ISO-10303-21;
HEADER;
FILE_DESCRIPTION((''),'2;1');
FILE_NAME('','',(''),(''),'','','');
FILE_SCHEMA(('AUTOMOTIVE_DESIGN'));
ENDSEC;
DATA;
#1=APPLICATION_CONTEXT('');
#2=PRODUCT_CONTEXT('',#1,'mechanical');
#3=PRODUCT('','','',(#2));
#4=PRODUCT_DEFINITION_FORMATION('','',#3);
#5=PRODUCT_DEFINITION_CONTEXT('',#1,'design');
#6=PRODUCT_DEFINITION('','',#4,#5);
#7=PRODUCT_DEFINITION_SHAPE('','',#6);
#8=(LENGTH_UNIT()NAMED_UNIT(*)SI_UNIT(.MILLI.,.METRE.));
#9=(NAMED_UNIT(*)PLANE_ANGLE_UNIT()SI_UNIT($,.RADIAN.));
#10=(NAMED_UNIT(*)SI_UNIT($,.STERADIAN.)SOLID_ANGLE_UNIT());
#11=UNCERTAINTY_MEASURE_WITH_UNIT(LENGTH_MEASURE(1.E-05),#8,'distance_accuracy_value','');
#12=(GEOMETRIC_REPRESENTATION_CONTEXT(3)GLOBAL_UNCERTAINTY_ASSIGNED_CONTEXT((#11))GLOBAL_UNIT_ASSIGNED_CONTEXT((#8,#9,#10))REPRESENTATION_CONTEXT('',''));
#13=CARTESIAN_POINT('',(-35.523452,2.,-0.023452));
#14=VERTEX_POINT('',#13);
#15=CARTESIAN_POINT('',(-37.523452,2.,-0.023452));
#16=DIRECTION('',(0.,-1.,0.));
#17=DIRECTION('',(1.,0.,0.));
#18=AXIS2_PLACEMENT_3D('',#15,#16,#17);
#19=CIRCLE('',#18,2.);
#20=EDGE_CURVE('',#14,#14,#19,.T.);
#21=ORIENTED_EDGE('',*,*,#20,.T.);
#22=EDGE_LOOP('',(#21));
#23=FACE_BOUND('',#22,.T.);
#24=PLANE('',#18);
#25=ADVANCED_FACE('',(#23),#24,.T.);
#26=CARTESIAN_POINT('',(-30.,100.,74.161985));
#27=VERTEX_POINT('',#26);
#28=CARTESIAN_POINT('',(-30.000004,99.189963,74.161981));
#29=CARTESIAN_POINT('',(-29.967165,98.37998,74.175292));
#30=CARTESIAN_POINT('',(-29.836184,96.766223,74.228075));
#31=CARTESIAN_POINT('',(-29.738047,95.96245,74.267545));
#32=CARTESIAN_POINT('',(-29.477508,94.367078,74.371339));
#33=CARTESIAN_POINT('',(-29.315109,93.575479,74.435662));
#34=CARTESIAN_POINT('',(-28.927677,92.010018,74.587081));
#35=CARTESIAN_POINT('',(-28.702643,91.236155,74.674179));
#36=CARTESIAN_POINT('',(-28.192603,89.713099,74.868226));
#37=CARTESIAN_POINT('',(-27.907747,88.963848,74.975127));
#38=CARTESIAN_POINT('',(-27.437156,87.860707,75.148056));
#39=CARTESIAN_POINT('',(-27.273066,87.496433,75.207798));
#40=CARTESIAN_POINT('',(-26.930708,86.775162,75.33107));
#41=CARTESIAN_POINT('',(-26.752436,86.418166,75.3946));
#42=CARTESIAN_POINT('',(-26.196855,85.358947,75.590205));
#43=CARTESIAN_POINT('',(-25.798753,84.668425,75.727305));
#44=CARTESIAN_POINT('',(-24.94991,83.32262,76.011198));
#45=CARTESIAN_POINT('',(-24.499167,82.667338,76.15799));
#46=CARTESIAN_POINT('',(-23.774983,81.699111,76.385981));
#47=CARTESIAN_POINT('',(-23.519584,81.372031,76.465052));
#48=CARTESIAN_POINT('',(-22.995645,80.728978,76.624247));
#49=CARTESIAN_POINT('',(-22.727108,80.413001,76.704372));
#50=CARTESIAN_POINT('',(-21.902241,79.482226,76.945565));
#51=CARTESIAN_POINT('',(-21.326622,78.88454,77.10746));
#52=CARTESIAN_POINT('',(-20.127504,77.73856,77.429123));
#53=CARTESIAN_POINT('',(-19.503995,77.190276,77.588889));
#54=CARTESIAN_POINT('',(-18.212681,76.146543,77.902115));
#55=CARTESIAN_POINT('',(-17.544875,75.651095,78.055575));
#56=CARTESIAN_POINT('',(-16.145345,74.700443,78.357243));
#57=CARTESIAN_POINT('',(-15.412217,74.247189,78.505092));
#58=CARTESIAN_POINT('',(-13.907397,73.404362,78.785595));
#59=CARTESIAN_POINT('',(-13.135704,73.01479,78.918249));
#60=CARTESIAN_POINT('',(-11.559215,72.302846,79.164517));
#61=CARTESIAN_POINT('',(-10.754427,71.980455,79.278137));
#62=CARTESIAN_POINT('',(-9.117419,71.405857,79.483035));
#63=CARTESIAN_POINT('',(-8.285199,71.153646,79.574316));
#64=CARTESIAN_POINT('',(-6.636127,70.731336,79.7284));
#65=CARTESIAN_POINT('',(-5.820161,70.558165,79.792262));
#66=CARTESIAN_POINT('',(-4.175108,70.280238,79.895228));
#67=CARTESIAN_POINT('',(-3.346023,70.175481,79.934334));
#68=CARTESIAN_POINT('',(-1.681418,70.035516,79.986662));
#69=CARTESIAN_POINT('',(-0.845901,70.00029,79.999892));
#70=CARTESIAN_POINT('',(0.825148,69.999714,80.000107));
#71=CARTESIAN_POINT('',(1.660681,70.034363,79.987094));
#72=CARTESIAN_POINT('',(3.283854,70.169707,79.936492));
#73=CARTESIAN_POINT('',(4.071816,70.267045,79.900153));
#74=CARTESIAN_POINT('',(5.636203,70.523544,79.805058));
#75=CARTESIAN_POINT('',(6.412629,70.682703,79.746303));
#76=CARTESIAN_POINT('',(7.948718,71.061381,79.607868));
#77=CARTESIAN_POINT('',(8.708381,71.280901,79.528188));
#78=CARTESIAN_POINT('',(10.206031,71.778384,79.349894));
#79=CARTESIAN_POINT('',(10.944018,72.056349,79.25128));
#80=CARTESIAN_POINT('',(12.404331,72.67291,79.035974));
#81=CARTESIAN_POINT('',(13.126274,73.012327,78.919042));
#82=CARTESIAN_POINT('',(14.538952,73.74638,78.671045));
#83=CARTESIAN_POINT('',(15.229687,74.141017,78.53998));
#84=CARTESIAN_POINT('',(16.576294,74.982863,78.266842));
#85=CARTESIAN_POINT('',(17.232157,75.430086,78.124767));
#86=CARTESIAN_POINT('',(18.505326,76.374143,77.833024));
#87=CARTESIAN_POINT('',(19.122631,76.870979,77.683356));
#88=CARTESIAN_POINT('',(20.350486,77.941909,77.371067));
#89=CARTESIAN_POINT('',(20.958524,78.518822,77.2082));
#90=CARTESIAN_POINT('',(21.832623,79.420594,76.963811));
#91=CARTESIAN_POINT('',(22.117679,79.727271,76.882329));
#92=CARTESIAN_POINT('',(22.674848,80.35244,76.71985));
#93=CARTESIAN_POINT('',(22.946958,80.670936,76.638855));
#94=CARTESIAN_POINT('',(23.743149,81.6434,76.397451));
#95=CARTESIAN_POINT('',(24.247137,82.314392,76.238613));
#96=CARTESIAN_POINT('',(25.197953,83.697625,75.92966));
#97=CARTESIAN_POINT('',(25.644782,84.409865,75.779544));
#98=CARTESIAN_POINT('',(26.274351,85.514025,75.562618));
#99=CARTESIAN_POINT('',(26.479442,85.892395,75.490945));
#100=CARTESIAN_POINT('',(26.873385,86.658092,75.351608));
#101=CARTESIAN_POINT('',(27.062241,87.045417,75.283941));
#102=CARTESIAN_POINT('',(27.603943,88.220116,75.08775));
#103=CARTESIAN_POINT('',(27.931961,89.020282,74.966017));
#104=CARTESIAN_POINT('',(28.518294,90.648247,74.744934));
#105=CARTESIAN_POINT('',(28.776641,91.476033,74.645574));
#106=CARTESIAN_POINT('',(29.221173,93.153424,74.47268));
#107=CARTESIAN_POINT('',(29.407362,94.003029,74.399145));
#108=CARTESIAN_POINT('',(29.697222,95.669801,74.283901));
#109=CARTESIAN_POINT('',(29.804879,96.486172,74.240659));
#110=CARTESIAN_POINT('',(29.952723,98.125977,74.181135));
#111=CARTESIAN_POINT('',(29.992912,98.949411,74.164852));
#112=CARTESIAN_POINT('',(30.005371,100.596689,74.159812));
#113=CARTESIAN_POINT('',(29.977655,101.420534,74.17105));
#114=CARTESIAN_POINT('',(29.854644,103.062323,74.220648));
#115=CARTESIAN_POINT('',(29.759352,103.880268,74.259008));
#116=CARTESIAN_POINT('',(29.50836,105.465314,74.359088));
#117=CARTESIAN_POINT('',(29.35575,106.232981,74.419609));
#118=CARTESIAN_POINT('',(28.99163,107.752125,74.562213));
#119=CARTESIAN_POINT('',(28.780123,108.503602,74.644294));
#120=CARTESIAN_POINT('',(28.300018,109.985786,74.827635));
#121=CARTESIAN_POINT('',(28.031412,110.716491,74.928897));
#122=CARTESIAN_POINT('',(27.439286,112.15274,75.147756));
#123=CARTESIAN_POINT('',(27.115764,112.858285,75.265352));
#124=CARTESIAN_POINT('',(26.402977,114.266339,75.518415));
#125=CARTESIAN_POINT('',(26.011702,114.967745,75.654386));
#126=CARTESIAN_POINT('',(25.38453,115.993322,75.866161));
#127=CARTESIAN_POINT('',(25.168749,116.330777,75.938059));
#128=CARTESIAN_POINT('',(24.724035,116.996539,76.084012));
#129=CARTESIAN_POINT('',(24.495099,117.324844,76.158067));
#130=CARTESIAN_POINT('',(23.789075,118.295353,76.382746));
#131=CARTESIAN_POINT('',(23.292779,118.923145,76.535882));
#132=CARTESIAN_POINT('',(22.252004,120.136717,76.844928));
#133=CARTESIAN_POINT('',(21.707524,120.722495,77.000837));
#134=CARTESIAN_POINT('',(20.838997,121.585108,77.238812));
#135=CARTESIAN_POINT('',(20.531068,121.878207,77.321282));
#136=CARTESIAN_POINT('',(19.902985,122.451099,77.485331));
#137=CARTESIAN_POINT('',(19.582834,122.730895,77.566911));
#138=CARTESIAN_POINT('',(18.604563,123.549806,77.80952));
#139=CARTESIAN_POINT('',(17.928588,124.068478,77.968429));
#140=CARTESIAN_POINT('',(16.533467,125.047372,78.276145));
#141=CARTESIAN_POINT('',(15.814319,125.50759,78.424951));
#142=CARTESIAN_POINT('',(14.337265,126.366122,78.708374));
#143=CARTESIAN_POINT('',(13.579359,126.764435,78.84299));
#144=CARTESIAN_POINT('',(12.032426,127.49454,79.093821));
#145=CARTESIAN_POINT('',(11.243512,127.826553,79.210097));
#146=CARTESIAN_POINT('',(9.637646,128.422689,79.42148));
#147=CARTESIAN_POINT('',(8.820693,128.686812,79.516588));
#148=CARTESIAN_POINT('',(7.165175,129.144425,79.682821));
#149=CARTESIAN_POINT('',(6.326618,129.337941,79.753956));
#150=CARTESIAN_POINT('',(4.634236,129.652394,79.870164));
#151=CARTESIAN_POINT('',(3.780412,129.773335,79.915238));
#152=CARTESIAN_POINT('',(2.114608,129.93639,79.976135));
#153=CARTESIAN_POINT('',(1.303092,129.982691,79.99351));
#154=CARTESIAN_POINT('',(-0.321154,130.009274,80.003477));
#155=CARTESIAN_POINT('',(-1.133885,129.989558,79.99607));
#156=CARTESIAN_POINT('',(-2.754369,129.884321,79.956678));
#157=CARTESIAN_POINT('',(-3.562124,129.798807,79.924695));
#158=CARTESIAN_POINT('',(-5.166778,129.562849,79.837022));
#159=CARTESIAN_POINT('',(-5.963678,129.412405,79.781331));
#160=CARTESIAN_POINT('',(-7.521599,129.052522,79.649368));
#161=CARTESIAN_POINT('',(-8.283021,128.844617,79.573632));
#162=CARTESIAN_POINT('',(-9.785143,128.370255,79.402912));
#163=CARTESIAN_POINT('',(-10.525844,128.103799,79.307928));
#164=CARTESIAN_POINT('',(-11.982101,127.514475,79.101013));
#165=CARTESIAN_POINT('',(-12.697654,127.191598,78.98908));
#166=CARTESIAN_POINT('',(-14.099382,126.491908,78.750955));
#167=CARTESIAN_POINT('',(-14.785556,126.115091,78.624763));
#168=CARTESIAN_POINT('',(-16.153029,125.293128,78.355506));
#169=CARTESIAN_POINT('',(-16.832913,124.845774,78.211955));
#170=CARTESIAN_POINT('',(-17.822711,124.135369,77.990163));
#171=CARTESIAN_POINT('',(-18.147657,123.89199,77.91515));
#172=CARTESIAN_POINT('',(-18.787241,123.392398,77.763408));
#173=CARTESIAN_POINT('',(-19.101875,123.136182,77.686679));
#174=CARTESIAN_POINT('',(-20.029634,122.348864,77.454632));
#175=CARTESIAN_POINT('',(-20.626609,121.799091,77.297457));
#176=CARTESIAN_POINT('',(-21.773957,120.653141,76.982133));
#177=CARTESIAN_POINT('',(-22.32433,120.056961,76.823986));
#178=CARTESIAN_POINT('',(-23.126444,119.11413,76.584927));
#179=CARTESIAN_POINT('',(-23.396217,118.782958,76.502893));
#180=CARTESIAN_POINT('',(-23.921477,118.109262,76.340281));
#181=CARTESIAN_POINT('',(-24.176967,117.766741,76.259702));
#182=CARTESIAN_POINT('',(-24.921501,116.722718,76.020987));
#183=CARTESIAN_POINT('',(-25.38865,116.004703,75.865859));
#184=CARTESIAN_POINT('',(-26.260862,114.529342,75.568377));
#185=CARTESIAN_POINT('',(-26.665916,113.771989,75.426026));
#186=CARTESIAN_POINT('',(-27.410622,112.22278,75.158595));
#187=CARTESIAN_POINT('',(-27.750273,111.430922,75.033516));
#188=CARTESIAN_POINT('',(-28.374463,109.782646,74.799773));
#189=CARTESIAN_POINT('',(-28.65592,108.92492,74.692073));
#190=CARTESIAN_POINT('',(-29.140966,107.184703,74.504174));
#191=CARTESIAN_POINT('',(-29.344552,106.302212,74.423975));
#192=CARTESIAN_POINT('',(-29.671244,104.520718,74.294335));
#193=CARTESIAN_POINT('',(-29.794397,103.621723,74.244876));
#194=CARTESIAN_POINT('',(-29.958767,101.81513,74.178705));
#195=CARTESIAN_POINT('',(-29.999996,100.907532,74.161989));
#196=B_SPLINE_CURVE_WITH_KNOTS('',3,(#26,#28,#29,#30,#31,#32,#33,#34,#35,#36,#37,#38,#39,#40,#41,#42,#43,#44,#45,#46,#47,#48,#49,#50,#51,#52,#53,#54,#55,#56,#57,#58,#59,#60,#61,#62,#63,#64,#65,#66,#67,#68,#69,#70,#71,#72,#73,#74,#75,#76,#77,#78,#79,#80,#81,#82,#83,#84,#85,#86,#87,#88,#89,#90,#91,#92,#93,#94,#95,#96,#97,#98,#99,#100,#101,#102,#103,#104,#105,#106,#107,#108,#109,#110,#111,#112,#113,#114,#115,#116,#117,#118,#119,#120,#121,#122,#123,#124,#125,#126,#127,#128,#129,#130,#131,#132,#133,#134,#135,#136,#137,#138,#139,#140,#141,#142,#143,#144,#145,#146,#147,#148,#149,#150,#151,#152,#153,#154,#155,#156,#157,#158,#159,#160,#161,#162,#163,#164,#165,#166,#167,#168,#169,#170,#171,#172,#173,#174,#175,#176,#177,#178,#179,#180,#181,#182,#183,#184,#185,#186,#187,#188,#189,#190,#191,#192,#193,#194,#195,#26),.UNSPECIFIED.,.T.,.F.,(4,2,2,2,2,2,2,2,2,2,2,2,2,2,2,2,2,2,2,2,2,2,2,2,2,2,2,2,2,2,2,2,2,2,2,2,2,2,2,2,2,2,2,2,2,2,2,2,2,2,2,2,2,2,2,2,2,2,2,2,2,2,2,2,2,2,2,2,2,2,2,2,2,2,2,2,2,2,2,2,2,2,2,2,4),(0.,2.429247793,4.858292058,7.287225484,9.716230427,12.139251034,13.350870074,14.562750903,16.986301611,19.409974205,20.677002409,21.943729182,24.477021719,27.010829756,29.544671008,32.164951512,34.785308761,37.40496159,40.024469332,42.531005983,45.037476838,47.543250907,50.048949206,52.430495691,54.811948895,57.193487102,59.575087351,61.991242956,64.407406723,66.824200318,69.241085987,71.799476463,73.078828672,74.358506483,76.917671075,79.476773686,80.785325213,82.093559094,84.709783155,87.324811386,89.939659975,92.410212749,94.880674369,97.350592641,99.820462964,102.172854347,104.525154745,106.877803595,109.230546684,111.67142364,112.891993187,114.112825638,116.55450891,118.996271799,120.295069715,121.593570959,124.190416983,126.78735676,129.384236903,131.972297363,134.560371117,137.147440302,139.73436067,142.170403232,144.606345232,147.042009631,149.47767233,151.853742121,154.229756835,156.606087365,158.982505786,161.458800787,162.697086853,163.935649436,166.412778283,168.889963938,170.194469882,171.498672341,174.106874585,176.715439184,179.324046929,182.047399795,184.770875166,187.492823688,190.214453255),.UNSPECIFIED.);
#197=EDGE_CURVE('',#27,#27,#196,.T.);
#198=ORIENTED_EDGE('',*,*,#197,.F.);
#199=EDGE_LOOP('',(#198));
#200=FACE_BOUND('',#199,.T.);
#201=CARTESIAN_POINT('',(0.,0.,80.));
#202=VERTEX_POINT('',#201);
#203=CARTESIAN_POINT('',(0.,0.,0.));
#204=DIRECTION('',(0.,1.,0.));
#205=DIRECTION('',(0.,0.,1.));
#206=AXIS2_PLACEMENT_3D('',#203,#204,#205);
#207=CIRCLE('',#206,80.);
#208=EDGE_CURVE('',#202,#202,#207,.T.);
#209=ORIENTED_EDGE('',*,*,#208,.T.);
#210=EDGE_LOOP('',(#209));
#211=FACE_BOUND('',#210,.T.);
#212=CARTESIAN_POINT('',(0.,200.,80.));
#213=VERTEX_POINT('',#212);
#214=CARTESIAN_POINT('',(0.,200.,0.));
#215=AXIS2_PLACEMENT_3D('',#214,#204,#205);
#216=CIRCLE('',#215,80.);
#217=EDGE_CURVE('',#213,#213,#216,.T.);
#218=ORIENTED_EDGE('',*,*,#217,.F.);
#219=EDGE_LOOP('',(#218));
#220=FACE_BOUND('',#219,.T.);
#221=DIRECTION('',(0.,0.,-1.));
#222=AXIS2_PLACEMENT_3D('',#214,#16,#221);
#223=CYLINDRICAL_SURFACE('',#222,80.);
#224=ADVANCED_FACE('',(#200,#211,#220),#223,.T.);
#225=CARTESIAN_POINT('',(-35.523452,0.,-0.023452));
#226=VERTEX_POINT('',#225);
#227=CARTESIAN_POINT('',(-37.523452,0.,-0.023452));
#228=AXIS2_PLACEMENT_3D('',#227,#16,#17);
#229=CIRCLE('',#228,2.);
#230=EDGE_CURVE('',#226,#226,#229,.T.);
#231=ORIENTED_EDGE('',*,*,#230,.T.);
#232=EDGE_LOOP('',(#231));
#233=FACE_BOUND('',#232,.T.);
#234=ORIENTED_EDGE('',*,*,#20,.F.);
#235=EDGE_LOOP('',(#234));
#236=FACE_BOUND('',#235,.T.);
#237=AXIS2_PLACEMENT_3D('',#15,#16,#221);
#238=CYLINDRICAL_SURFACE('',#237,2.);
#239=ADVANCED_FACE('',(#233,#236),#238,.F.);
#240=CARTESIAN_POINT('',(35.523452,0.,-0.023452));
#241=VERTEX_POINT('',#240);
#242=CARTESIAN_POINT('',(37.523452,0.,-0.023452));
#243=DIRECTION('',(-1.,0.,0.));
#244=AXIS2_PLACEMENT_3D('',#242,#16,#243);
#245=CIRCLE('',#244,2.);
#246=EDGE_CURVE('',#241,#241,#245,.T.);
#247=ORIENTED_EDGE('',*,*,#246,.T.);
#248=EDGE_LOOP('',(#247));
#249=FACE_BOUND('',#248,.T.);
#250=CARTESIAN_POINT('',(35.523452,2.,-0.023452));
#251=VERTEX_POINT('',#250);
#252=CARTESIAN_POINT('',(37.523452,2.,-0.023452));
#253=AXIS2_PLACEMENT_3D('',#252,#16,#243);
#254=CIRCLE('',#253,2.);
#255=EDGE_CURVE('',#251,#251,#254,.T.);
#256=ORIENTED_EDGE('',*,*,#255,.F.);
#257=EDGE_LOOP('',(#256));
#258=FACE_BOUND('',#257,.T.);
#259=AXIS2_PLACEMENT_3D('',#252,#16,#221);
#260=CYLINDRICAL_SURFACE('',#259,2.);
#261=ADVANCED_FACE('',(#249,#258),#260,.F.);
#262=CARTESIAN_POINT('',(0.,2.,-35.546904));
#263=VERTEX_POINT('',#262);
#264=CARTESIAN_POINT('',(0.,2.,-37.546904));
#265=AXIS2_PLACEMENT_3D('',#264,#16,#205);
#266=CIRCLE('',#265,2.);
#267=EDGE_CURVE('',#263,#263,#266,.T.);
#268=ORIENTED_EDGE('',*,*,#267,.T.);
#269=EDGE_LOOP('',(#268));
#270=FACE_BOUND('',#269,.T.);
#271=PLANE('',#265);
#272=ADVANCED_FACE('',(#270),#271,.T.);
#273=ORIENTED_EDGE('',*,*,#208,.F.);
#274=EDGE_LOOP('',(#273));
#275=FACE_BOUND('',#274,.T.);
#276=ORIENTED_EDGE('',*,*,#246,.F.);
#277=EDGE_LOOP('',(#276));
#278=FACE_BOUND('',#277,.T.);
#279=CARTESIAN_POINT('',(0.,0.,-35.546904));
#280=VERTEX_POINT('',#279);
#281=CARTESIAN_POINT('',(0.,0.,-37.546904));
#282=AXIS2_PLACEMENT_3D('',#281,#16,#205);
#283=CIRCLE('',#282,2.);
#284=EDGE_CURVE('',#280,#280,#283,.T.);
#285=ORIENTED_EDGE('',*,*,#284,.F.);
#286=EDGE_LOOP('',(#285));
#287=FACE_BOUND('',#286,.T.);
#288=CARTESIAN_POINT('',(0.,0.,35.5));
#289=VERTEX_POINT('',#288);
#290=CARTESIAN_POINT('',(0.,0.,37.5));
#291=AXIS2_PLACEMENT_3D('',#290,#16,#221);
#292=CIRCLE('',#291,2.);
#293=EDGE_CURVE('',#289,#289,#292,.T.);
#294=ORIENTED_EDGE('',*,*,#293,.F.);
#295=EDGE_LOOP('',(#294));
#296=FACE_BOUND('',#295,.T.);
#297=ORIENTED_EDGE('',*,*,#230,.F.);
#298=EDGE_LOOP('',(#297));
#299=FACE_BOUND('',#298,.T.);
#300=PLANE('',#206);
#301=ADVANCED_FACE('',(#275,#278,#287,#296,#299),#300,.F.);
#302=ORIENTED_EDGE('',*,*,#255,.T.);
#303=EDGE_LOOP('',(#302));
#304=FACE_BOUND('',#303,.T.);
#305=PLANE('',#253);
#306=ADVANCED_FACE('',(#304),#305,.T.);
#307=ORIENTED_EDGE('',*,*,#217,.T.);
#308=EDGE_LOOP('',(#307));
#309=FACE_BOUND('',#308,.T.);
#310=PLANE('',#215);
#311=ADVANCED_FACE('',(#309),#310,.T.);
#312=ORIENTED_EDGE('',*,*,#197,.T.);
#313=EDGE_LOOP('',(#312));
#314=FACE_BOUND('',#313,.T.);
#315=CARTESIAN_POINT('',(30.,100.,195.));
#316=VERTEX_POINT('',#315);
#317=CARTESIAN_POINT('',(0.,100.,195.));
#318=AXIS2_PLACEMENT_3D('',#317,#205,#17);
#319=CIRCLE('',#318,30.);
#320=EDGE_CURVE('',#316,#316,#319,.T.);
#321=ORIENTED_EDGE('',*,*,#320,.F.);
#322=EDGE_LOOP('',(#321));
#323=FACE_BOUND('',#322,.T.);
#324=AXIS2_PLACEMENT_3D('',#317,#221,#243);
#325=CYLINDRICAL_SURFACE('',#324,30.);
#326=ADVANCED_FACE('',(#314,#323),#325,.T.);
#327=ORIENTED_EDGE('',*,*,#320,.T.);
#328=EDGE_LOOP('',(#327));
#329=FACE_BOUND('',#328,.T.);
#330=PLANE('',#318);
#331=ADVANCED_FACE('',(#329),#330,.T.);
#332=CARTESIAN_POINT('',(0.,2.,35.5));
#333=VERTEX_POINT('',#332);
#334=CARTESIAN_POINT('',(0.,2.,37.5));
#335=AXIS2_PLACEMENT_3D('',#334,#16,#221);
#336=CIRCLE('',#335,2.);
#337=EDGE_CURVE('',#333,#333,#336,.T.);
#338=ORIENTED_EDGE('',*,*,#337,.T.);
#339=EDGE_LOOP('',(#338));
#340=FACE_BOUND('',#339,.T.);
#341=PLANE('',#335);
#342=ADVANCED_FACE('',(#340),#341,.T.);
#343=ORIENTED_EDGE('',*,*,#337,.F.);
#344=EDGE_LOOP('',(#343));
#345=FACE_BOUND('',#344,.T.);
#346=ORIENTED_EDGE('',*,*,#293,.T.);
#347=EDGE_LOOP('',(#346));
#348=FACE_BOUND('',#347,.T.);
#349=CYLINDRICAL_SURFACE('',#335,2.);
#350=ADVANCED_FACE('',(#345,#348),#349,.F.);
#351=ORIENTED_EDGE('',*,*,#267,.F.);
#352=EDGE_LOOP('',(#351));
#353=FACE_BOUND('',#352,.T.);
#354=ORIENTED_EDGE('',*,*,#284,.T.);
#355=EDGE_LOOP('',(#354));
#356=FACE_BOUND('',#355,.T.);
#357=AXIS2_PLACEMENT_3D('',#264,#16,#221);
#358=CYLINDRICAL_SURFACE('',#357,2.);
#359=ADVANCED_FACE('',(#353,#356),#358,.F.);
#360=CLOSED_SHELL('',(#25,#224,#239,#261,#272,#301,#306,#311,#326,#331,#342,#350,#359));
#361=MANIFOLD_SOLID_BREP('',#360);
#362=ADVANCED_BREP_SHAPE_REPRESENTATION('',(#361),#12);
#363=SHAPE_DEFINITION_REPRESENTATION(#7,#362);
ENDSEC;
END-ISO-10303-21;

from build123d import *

# Parameters (mm, degrees)
SKETCH_1_R               = 80
EXTRUDE_1_DEPTH          = 200
SKETCH_2_R               = 30
EXTRUDE_2_DEPTH          = 195
SKETCH_3_R               = 2
CUT_EXTRUDE_1_DEPTH      = 2
PATTERN_CIRCULAR_1_COUNT = 4


with BuildPart() as part:
    # 草图1 → 凸台-拉伸1 (new body)
    with BuildSketch(Plane(origin=(0, 0, 0), x_dir=(1, 0, 0), z_dir=(0, 1, 0))):
        with Locations(Location((0, 0, 0), (0, 0, 270))):
            Circle(SKETCH_1_R)
    extrude(amount=EXTRUDE_1_DEPTH)

    # 草图2 → 凸台-拉伸2 (add)
    with BuildSketch(Plane.XY):
        with Locations(Location((0, 100, 0), (0, 0, 180))):
            Circle(SKETCH_2_R)
    extrude(amount=EXTRUDE_2_DEPTH)

    # 草图3 → 切除-拉伸1 (cut)
    with BuildSketch(Plane.XZ):
        with Locations(Location((0, 37.5, 0), (0, 0, 270))):
            Circle(SKETCH_3_R)
    cut_extrude_1 = extrude(amount=-CUT_EXTRUDE_1_DEPTH, mode=Mode.SUBTRACT)

    # 阵列(圆周)1: 切除-拉伸1 ×4 about axis
    pattern_circular_1_axis = Axis((0, 0, -0.023452158), (0, 1, 0))
    for i in range(1, PATTERN_CIRCULAR_1_COUNT):
        add(cut_extrude_1.rotate(pattern_circular_1_axis, i * 360 / PATTERN_CIRCULAR_1_COUNT), mode=Mode.SUBTRACT)


solid = part.part
